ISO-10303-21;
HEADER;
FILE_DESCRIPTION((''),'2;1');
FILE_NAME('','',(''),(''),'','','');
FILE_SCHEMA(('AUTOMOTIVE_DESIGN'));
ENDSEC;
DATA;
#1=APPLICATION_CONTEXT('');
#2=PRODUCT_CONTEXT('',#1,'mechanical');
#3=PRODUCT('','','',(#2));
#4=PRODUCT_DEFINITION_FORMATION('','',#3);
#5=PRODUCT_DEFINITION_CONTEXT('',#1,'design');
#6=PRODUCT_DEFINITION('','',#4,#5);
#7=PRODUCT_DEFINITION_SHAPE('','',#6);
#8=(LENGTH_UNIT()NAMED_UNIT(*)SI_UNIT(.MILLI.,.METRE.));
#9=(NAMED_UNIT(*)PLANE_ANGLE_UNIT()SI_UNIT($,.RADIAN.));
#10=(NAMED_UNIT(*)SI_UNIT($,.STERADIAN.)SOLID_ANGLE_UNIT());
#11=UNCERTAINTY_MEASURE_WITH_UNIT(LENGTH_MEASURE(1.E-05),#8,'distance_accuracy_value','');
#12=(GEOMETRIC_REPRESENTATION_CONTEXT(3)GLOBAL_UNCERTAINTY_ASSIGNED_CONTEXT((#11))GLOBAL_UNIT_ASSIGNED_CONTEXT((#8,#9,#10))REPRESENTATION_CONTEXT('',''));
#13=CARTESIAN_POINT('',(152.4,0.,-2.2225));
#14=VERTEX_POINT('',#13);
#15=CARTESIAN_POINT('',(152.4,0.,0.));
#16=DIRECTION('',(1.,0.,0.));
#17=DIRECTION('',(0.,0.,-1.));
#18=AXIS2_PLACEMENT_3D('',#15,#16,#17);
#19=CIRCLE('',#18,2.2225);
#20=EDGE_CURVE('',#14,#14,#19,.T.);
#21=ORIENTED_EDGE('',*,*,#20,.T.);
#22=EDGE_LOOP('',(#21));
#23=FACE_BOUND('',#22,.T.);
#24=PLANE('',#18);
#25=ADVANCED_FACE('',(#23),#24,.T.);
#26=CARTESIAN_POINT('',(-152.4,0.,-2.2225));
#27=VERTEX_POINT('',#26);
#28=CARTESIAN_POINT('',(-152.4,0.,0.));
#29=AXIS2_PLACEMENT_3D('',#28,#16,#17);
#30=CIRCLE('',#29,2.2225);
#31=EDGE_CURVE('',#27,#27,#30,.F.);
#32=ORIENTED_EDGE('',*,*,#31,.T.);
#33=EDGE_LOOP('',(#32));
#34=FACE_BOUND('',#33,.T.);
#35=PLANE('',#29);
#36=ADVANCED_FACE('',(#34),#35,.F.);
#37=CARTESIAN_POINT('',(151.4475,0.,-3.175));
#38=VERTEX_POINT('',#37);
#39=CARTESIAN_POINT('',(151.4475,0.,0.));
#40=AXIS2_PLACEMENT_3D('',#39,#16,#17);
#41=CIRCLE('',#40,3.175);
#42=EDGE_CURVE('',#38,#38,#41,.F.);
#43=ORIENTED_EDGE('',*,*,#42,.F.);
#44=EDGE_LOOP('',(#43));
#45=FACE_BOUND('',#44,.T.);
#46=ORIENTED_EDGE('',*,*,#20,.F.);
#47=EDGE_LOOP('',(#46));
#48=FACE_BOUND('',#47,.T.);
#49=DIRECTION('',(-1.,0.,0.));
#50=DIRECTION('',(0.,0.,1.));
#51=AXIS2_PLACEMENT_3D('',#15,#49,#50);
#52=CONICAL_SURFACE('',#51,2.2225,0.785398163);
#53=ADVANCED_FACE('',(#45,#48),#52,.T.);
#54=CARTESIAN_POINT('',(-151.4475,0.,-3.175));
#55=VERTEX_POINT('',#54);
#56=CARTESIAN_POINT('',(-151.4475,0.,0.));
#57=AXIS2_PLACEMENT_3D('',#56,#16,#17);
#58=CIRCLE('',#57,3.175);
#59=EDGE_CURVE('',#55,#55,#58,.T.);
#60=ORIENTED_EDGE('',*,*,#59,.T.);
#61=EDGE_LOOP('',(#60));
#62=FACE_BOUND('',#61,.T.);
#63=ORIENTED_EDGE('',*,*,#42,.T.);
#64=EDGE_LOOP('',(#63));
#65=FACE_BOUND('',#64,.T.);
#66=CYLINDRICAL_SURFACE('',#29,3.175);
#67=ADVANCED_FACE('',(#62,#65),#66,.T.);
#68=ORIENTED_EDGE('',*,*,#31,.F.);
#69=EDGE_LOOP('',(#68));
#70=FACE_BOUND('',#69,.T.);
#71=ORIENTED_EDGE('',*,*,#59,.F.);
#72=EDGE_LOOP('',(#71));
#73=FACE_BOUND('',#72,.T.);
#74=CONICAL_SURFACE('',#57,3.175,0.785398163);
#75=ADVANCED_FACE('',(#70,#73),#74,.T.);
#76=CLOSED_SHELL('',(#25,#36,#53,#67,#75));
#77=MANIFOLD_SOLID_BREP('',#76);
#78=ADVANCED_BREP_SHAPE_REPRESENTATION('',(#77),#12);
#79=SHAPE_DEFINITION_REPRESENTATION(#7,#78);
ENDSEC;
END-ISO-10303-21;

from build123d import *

# Parameters (mm, degrees)
SKETCH2_R                = 3.175
BOSS_EXTRUDE1_DEPTH      = 152.4
BOSS_EXTRUDE1_DEPTH_BACK = 152.4
CHAMFER1_SIZE            = 0.9525


with BuildPart() as part:
    # Sketch2 → Boss-Extrude1 (new body, two sides)
    with BuildSketch(Plane(origin=(0, 0, 0), x_dir=(0, 0, -1), z_dir=(1, 0, 0))) as boss_extrude1_sk:
        Circle(SKETCH2_R)
    extrude(amount=BOSS_EXTRUDE1_DEPTH)
    extrude(boss_extrude1_sk.sketch, amount=-BOSS_EXTRUDE1_DEPTH_BACK)

    # Chamfer1
    chamfer1_edges = [part.edges().sort_by_distance(p)[0] for p in [
        (-152.4, 0, 3.175),
        (152.4, 0, 3.175),
    ]]
    chamfer(chamfer1_edges, length=CHAMFER1_SIZE)


solid = part.part
